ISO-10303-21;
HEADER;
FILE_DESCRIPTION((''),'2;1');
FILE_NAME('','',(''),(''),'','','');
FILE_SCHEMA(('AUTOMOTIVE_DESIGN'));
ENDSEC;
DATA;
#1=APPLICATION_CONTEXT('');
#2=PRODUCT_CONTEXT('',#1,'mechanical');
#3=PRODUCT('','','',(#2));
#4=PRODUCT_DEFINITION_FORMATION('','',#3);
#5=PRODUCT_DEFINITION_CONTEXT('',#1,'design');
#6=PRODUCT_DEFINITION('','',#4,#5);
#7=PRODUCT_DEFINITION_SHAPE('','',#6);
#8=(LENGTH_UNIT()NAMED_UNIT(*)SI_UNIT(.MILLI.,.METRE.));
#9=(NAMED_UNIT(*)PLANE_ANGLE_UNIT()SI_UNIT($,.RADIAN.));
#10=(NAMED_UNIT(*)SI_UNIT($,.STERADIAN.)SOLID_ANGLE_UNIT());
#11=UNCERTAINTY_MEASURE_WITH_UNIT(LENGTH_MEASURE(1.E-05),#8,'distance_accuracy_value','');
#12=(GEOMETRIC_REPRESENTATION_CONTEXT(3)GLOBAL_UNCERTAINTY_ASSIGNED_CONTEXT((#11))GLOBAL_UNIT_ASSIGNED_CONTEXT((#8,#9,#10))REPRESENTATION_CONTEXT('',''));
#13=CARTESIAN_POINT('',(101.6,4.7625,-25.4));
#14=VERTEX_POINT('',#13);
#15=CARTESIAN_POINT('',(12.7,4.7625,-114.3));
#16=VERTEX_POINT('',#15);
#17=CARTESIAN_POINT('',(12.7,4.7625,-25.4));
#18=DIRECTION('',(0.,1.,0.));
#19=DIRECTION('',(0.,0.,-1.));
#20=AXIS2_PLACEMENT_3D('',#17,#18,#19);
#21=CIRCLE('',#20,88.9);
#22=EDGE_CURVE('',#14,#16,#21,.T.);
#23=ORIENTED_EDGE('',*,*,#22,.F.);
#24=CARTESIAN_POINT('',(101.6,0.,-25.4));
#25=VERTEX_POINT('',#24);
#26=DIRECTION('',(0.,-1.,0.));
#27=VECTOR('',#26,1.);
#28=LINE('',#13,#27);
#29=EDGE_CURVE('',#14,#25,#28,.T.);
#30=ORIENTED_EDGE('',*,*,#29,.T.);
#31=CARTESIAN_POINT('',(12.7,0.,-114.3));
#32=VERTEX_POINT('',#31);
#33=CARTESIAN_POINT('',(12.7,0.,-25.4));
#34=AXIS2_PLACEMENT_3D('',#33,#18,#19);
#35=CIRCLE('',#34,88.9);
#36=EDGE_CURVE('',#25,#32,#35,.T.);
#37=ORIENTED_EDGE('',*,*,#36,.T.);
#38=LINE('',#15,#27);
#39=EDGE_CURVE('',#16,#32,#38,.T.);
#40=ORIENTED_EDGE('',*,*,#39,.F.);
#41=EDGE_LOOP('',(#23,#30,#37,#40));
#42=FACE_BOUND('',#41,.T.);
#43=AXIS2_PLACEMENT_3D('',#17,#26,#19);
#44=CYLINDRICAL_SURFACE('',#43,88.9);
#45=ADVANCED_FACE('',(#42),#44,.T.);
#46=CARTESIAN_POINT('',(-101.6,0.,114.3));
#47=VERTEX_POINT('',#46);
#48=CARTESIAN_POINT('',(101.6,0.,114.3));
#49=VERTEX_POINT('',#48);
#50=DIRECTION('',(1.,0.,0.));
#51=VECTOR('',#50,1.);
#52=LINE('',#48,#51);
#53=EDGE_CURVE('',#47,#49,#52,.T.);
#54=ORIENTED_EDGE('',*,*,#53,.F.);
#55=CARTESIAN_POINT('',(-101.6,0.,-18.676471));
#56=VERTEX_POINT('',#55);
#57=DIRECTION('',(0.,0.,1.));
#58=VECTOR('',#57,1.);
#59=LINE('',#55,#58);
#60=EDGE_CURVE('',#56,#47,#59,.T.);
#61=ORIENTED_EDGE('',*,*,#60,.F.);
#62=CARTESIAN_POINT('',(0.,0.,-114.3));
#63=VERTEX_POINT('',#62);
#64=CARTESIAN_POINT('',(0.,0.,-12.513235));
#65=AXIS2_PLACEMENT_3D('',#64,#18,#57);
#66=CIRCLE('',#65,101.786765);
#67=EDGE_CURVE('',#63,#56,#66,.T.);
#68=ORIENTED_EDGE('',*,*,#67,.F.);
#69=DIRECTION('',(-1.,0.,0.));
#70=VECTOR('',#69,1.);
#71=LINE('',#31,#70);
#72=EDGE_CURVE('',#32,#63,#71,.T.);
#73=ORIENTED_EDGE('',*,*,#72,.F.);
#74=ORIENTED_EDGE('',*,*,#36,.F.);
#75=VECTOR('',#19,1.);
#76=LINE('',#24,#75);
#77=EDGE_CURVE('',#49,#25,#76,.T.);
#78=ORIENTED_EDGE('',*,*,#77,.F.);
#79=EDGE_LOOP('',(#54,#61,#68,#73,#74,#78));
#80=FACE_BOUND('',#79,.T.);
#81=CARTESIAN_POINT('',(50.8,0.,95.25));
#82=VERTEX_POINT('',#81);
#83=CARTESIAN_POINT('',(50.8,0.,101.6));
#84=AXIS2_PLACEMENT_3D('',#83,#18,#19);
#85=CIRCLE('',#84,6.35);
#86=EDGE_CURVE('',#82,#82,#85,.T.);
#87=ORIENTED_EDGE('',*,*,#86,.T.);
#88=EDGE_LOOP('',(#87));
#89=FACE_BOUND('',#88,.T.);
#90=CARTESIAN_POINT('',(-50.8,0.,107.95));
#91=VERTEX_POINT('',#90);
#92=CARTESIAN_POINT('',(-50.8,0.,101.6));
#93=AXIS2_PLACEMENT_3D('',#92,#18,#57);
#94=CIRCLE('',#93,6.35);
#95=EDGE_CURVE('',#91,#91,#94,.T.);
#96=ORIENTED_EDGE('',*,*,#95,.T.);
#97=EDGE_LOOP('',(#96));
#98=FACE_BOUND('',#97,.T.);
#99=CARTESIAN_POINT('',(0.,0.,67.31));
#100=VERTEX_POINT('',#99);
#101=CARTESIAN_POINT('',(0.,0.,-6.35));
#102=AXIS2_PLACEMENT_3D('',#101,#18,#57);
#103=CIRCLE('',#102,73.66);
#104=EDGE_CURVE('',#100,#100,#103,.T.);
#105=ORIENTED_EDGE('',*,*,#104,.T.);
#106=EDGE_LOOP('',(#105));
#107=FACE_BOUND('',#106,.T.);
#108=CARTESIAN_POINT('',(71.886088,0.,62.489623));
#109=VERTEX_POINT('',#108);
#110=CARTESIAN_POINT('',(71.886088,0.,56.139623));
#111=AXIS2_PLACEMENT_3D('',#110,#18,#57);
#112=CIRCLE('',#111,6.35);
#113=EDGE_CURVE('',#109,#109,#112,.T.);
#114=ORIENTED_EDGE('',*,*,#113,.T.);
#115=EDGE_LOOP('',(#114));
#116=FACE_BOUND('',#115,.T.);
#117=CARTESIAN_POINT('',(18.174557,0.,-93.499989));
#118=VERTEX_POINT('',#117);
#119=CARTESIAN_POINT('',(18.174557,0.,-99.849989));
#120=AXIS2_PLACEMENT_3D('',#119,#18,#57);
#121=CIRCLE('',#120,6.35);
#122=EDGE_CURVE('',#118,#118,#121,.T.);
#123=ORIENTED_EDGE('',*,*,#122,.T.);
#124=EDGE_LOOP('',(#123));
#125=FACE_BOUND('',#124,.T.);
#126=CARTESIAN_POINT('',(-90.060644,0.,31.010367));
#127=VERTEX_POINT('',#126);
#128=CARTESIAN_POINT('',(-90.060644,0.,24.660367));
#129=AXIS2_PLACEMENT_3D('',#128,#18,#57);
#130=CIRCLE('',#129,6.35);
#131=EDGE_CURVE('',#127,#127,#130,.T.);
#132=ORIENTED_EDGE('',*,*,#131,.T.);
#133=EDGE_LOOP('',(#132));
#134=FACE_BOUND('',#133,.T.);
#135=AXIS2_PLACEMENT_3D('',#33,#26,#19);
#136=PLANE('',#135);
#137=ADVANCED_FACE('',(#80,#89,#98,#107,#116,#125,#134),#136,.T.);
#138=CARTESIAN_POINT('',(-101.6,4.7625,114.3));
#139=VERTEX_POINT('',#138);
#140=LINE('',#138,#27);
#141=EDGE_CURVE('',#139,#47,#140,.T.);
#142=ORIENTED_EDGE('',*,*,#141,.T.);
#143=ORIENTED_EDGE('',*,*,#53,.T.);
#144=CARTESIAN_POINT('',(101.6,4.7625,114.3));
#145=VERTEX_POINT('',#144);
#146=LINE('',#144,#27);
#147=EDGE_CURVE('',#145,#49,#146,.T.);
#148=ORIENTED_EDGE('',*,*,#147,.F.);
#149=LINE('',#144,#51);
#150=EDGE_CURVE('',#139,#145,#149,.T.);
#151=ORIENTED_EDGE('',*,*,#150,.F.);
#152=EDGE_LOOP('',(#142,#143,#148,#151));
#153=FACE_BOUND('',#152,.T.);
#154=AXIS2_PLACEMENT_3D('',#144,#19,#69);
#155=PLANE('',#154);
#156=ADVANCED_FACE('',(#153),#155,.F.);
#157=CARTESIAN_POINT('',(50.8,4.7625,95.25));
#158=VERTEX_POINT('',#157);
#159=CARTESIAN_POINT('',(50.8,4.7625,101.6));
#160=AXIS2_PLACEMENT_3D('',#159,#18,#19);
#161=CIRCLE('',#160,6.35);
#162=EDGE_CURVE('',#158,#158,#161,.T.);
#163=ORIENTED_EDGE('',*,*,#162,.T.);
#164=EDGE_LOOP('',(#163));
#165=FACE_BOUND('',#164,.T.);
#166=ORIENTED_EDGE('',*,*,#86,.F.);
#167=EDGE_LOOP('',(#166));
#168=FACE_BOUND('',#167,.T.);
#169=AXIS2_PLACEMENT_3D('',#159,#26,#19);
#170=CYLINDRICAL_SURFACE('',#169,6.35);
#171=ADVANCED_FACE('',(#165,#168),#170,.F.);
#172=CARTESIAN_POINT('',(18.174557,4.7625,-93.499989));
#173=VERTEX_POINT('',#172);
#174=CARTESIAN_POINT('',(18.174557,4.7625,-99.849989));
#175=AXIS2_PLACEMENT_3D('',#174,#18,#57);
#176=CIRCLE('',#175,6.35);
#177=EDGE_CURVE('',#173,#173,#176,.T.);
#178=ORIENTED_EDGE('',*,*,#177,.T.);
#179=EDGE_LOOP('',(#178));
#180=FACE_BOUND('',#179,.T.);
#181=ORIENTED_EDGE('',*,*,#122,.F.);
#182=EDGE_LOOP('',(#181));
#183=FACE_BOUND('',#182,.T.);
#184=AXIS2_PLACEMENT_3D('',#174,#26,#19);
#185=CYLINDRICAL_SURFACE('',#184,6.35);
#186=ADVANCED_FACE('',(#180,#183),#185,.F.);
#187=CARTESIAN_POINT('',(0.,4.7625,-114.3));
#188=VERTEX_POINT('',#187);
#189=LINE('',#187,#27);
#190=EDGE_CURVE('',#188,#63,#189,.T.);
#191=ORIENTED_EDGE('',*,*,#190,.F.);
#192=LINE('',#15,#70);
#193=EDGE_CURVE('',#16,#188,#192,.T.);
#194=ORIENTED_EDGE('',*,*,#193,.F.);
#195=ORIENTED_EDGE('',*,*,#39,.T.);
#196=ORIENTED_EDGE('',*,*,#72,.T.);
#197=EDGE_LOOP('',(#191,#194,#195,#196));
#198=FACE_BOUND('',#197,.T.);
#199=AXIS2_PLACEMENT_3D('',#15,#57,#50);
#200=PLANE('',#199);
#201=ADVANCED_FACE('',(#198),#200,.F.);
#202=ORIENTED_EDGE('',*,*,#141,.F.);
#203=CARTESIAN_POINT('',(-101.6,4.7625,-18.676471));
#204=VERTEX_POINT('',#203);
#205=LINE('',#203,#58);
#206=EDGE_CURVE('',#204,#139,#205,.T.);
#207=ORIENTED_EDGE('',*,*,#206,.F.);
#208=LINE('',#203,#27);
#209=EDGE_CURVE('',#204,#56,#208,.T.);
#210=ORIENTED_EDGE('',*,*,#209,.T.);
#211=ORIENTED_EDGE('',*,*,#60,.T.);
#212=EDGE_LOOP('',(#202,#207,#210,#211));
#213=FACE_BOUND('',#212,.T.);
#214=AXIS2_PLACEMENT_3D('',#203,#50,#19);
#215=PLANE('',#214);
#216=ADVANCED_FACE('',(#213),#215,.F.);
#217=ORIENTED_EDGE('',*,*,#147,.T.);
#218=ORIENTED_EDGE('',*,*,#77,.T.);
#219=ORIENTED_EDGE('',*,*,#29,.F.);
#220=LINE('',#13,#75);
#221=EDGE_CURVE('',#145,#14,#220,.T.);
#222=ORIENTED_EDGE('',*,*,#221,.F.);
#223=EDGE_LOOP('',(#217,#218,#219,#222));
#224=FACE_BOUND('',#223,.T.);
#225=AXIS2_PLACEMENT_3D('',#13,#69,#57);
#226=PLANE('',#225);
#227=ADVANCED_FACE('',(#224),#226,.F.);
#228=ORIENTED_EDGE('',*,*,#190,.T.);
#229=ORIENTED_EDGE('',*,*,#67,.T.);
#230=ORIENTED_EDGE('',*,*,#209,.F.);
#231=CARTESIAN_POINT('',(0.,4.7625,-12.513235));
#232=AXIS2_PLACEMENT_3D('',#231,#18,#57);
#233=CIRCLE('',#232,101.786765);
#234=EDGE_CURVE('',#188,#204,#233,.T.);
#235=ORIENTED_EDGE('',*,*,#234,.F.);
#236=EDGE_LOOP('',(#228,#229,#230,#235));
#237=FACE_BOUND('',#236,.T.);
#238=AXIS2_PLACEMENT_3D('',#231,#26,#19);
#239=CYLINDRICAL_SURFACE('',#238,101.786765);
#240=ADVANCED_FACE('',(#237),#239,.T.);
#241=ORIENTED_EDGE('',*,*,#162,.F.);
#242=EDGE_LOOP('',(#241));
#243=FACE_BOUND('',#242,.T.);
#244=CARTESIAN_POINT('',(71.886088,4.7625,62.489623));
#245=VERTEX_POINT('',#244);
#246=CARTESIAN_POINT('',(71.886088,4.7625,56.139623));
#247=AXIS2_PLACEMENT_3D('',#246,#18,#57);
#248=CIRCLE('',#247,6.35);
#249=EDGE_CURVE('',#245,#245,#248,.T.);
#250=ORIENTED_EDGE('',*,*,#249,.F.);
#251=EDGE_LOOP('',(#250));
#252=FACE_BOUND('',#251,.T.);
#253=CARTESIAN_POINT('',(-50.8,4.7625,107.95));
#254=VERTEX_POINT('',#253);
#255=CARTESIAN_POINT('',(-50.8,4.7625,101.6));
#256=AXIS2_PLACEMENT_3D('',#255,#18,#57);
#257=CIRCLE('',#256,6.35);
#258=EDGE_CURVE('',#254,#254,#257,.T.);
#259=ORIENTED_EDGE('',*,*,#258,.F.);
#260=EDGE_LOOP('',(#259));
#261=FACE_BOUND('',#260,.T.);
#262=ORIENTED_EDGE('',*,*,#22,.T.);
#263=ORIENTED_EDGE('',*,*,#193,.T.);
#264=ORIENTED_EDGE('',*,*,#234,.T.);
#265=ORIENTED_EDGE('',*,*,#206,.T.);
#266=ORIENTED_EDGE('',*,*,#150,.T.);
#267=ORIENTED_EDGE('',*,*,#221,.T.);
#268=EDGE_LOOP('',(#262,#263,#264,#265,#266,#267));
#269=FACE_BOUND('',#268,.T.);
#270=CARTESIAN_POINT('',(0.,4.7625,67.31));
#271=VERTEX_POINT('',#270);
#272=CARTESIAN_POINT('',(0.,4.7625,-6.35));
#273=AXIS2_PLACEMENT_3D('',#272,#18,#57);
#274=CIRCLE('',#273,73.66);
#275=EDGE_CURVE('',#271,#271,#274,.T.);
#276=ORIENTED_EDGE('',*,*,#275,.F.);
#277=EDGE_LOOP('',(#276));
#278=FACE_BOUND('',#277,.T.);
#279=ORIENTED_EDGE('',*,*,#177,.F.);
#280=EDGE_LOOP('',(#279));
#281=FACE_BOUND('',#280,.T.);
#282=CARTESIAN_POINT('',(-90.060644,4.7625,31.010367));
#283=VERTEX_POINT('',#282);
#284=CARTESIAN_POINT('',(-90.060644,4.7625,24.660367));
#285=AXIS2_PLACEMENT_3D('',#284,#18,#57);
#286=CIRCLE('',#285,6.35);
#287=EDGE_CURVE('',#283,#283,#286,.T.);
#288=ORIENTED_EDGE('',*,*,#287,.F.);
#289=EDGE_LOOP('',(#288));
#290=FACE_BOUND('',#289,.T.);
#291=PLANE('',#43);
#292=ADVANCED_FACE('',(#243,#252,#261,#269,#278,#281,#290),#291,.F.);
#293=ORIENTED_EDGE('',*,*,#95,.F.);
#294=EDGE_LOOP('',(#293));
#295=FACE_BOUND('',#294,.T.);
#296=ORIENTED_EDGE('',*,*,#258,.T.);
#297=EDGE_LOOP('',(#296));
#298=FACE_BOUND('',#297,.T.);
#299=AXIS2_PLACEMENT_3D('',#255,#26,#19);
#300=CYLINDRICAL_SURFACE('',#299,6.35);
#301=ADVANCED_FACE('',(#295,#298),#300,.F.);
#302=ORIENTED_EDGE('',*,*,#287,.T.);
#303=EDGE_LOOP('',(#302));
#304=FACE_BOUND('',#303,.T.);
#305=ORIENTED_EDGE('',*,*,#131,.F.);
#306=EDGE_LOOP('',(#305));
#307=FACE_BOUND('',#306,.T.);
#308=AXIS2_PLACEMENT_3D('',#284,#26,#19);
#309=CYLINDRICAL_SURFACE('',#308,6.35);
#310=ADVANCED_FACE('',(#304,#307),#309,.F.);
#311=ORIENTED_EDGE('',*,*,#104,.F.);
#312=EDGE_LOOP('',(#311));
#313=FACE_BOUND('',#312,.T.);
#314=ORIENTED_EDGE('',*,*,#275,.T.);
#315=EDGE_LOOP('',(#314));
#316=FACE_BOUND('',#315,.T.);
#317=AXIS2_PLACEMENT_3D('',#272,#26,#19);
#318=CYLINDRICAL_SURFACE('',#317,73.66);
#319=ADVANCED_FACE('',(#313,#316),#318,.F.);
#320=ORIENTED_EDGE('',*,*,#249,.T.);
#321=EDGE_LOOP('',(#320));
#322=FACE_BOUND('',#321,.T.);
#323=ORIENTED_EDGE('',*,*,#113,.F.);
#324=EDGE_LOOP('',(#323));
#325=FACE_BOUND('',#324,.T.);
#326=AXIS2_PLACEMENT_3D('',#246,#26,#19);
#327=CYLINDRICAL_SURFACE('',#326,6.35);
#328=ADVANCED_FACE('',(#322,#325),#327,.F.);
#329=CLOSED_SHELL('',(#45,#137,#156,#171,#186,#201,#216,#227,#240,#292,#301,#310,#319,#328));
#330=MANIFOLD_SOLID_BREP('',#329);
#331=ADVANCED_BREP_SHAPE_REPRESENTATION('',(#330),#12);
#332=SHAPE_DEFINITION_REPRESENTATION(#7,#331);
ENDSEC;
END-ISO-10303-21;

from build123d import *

# Parameters (mm, degrees)
SKETCH1_R           = 73.66
SKETCH1_R_2         = 6.35
BOSS_EXTRUDE1_DEPTH = 4.7625


with BuildPart() as part:
    # Sketch1 → Boss-Extrude1 (new body)
    with BuildSketch(Plane(origin=(0, 0, 0), x_dir=(1, 0, 0), z_dir=(0, 1, 0))):
        with BuildLine():
            Line((12.7, 114.3), (0, 114.3))
            ThreePointArc((0, 114.3), (-69.761055355, 86.634356609), (-101.6, 18.676470588))
            Line((-101.6, 18.676470588), (-101.6, -114.3))
            Line((-101.6, -114.3), (101.6, -114.3))
            Line((101.6, -114.3), (101.6, 25.4))
            ThreePointArc((101.6, 25.4), (75.561792847, 88.261792847), (12.7, 114.3))
        make_face()
        with Locations((0, 6.35)):
            Circle(SKETCH1_R, mode=Mode.SUBTRACT)
        with Locations((-90.060644326, -24.660366712)):
            Circle(SKETCH1_R_2, mode=Mode.SUBTRACT)
        with Locations((-50.8, -101.6)):
            Circle(SKETCH1_R_2, mode=Mode.SUBTRACT)
        with Locations((50.8, -101.6)):
            Circle(SKETCH1_R_2, mode=Mode.SUBTRACT)
        with Locations((18.17455681, 99.849989223)):
            Circle(SKETCH1_R_2, mode=Mode.SUBTRACT)
        with Locations((71.886087516, -56.139622511)):
            Circle(SKETCH1_R_2, mode=Mode.SUBTRACT)
    extrude(amount=BOSS_EXTRUDE1_DEPTH)


solid = part.part
